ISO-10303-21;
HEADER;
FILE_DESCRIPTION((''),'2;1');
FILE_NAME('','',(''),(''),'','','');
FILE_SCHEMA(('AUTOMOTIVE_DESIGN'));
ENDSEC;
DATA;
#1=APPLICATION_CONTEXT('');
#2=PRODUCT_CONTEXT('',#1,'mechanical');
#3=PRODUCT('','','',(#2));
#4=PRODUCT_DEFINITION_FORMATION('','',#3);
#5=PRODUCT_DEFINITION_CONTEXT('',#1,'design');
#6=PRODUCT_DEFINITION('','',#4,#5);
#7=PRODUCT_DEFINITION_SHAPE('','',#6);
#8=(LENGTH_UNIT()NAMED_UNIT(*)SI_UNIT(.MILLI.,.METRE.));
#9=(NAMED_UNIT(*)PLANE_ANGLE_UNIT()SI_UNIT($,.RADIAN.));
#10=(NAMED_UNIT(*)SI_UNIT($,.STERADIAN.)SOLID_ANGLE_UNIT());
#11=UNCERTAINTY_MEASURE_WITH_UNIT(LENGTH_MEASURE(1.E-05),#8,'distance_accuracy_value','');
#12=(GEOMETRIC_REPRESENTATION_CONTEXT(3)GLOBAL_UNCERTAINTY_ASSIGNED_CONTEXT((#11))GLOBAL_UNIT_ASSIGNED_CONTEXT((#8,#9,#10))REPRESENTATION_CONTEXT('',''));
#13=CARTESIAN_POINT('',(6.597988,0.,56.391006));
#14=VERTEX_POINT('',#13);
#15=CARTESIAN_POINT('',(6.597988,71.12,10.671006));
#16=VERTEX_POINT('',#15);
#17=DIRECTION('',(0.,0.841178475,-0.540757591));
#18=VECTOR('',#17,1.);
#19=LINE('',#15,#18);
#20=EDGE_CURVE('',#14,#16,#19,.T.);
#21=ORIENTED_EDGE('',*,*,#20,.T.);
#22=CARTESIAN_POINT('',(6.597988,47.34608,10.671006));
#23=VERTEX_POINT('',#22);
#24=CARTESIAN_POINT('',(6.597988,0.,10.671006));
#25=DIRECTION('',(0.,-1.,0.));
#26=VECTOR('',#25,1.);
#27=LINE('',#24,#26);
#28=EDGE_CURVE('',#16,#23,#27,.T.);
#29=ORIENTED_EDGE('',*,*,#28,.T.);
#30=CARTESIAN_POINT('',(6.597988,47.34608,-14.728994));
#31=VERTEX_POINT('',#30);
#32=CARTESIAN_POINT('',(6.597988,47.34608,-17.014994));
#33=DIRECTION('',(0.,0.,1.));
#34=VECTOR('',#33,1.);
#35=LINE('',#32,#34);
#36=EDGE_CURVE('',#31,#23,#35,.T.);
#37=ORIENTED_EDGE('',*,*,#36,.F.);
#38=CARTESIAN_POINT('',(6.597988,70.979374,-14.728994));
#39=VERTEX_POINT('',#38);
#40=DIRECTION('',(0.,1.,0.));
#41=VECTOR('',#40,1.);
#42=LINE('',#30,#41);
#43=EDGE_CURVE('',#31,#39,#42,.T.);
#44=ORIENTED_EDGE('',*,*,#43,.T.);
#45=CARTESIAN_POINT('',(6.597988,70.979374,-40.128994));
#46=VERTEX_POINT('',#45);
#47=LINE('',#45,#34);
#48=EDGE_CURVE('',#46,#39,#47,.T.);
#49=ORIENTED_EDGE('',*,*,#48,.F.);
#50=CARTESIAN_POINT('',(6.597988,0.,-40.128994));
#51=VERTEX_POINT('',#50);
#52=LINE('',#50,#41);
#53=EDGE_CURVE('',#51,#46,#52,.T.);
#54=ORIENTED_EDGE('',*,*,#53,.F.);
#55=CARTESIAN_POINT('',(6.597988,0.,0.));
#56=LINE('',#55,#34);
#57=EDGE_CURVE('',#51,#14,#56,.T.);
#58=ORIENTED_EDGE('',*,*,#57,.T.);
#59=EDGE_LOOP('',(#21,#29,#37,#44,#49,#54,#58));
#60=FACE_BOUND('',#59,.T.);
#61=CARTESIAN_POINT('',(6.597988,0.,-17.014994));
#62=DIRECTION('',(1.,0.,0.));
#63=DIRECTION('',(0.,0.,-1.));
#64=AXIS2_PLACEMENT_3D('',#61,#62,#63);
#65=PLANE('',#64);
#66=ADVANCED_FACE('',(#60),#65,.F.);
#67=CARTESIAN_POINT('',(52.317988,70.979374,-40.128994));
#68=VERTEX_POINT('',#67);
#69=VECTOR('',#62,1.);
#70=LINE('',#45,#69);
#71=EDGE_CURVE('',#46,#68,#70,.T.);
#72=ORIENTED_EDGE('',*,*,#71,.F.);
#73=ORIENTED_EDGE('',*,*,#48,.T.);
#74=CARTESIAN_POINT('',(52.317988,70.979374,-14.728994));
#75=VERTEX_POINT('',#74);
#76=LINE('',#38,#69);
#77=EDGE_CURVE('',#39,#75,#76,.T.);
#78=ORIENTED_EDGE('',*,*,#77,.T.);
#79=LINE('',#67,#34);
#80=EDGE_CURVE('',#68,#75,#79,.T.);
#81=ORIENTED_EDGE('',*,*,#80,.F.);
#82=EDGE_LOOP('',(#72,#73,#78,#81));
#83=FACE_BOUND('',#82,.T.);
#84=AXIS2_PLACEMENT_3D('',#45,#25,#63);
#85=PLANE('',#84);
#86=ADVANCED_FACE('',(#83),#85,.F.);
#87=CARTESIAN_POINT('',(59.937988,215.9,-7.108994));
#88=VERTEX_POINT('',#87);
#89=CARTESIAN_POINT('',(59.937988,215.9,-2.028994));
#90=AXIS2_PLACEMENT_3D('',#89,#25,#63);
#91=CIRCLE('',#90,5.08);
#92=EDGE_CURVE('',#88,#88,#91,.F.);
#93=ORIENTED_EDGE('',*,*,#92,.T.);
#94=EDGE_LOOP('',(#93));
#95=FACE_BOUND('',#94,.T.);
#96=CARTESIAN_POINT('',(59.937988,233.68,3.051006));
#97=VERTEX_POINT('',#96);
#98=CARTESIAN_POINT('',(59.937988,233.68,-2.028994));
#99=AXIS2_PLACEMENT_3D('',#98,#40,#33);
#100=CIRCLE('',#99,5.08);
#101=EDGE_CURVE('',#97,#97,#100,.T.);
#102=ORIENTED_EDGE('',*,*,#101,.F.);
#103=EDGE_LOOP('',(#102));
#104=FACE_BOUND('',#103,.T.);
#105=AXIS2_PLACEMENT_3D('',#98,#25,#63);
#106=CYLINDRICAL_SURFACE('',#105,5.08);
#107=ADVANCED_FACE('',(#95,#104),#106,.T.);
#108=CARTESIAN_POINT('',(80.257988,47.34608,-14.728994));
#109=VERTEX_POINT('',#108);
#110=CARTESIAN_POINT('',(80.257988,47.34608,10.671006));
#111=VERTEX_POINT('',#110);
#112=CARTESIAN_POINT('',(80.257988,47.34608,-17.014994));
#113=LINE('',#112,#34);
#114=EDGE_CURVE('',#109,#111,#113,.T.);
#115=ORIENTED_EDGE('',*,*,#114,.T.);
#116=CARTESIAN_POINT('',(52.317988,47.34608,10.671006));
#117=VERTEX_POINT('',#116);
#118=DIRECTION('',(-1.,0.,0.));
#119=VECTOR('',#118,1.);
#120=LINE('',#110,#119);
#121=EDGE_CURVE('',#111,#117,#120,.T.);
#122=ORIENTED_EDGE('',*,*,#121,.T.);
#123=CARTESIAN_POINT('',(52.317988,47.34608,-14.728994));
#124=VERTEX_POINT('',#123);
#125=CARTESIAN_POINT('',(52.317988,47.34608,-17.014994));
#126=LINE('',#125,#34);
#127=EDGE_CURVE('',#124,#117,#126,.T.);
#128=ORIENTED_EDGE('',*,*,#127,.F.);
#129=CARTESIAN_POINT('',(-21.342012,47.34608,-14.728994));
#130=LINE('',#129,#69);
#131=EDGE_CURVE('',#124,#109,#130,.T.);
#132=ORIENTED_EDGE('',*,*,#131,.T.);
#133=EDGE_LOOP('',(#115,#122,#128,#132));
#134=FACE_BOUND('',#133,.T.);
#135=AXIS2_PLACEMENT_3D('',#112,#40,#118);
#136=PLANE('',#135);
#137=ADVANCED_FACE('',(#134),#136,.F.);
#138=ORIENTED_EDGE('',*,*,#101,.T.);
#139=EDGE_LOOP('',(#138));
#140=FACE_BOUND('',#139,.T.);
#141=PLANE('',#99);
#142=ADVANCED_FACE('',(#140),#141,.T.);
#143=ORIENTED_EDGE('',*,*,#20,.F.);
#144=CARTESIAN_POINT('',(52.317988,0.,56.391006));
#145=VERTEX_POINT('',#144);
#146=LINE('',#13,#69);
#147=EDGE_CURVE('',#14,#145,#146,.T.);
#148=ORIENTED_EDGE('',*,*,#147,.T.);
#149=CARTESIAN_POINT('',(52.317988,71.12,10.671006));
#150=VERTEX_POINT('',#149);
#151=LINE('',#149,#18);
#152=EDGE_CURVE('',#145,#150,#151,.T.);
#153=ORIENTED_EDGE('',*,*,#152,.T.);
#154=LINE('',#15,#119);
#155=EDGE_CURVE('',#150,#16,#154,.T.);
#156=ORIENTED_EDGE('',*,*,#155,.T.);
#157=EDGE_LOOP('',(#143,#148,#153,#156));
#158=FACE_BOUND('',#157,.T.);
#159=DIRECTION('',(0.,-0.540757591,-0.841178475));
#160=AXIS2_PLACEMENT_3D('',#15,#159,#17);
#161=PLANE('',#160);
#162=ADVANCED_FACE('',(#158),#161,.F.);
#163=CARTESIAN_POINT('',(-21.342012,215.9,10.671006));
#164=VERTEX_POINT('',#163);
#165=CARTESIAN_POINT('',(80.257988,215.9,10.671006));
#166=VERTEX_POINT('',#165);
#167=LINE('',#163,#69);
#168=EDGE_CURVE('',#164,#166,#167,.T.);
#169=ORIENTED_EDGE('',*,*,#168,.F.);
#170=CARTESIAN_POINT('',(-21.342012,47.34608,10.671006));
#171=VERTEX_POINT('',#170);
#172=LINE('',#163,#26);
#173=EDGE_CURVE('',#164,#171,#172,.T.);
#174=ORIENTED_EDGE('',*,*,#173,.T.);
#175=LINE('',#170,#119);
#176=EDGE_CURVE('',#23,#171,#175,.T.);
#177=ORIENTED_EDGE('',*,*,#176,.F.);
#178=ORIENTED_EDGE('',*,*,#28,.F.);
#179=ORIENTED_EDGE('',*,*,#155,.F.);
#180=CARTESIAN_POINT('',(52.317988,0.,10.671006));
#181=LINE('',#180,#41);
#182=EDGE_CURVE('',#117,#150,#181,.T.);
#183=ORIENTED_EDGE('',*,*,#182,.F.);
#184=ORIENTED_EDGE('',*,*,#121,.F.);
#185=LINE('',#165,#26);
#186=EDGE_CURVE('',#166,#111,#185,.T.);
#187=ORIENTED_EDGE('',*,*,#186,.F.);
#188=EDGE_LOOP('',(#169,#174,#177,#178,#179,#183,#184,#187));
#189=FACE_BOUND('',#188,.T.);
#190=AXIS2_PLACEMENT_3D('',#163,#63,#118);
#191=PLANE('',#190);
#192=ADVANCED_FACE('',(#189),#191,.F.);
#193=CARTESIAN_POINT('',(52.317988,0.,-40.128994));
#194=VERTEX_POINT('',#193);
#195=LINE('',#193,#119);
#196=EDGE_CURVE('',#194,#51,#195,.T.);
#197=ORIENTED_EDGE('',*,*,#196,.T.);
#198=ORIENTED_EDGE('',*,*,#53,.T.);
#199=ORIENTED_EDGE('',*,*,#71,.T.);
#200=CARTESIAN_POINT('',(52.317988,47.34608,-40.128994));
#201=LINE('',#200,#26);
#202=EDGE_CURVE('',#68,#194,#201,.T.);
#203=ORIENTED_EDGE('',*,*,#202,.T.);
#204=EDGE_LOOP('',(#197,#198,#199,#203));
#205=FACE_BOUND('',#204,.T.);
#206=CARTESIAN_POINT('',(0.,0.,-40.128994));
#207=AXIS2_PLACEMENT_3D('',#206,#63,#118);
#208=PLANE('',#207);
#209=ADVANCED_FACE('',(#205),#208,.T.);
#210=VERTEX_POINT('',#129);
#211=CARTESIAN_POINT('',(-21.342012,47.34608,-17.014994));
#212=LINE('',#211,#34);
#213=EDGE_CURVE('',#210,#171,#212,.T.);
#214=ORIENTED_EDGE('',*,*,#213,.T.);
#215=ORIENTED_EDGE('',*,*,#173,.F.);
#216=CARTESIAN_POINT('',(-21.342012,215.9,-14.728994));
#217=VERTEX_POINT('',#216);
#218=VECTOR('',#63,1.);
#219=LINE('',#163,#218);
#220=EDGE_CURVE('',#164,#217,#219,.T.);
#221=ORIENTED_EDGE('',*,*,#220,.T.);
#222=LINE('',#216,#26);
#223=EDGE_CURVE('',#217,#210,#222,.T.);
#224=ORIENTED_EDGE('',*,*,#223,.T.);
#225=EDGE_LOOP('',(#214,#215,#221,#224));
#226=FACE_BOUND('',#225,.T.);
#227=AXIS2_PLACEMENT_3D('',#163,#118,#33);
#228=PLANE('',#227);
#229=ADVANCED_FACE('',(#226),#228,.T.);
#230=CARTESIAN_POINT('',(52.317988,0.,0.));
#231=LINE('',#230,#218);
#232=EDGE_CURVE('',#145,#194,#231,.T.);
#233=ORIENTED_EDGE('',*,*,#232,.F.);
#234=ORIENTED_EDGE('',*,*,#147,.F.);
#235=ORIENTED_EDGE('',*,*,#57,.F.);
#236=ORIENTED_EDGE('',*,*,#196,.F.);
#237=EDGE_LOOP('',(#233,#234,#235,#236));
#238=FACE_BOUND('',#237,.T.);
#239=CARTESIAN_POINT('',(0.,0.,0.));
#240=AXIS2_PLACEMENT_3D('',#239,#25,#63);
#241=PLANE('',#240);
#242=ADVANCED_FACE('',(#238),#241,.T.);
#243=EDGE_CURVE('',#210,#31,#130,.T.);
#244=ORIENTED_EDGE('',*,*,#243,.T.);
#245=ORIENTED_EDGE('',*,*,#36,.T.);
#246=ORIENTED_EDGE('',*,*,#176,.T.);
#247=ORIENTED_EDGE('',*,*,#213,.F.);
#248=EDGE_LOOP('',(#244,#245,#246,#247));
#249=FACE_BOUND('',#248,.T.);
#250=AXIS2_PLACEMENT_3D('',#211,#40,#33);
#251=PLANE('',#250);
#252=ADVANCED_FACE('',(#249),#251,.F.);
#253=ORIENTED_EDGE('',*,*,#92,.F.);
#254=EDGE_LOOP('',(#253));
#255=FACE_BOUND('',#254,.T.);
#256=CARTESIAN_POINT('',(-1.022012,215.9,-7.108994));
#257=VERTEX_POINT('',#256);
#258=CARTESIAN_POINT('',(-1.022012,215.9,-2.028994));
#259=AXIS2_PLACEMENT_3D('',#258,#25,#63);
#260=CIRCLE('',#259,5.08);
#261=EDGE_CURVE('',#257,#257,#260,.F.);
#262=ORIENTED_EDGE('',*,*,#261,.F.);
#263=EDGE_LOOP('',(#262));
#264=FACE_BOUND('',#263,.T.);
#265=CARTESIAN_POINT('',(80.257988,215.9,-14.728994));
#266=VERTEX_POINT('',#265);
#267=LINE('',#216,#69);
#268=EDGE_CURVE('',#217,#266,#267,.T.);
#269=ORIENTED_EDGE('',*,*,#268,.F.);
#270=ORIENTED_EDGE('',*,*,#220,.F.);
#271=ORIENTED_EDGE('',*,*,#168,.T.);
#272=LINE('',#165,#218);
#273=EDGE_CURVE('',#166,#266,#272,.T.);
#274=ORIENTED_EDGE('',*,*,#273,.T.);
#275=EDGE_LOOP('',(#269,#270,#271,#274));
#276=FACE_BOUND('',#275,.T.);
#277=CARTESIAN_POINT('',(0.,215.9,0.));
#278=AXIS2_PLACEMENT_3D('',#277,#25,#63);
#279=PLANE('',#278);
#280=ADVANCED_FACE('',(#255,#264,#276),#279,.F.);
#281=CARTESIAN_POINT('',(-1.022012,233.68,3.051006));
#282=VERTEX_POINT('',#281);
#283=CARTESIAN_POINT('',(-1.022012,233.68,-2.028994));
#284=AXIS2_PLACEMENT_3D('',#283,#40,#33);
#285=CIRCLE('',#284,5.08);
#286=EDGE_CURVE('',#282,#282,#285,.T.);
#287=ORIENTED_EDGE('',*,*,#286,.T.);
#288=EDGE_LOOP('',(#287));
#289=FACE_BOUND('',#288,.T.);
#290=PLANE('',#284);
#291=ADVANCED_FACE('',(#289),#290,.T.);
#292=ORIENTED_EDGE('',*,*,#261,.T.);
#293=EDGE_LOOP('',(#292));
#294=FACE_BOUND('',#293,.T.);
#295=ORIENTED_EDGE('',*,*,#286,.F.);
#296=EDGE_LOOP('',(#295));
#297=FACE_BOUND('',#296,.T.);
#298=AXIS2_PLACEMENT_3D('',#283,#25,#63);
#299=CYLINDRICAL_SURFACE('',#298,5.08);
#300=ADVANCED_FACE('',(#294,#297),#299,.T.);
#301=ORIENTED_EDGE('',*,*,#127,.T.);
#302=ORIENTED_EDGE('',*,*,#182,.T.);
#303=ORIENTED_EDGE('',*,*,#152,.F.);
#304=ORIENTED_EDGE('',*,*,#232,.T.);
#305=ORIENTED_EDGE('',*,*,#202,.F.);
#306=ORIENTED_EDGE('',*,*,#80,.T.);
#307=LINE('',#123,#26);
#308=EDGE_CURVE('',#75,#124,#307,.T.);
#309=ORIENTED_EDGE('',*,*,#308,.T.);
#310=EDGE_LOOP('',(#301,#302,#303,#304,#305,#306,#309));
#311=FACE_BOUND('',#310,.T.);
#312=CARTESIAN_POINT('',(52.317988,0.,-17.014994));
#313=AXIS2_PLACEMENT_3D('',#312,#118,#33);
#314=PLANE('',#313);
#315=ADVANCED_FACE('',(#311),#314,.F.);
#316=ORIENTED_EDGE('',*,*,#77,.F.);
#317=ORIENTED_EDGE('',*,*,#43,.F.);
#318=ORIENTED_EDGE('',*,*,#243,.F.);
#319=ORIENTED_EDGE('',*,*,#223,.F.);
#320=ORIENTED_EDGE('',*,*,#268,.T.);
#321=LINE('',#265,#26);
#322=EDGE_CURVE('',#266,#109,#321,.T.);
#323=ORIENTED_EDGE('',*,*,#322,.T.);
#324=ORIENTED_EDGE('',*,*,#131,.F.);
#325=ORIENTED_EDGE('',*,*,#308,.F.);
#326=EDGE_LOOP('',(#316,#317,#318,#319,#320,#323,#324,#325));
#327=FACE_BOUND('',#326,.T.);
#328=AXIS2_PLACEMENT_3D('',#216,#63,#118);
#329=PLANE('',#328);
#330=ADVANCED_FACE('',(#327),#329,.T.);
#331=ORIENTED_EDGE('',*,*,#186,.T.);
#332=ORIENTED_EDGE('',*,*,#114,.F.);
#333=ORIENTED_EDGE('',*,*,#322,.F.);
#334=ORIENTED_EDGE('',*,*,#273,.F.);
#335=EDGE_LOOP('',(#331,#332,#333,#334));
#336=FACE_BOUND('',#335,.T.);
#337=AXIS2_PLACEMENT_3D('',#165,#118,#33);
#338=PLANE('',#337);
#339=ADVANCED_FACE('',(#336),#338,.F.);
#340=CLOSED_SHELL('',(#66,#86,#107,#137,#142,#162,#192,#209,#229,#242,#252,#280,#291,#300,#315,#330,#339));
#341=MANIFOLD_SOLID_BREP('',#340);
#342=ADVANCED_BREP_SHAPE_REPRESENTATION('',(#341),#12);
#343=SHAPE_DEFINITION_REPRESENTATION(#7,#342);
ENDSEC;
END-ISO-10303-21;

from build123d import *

# Parameters (mm, degrees)
SKETCH1_W           = 101.6
SKETCH1_H           = 25.4
BOSS_EXTRUDE1_DEPTH = 215.9
SKETCH2_R           = 5.08
BOSS_EXTRUDE2_DEPTH = 17.78
SKETCH3_W           = 27.94
SKETCH3_H           = 47.346080225
CUT_EXTRUDE1_DEPTH  = 27.686
SKETCH9_W           = 45.72
SKETCH9_H           = 71.12
BOSS_EXTRUDE5_DEPTH = 45.72
CUT_EXTRUDE4_DEPTH  = 45.72
BOSS_EXTRUDE6_DEPTH = 25.4


with BuildPart() as part:
    # Sketch1 → Boss-Extrude1 (new body)
    with BuildSketch(Plane(origin=(0, 0, 0), x_dir=(1, 0, 0), z_dir=(0, 1, 0))):
        with Locations((29.457987906, 2.028993953)):
            Rectangle(SKETCH1_W, SKETCH1_H)
    extrude(amount=BOSS_EXTRUDE1_DEPTH)

    # Sketch2 → Boss-Extrude2 (add)
    with BuildSketch(Plane(origin=(0, 215.9, 0), x_dir=(1, 0, 0), z_dir=(0, 1, 0))):
        with Locations(Location((-1.022012094, 2.028993953, 0), (0, 0, 90))):
            Circle(SKETCH2_R)
        with Locations(Location((59.937987906, 2.028993953, 0), (0, 0, 90))):
            Circle(SKETCH2_R)
    extrude(amount=BOSS_EXTRUDE2_DEPTH)

    # Sketch3 → Cut-Extrude1 (cut)
    with BuildSketch(Plane.XY.offset(10.671006047)):
        with Locations((-7.372012094, 23.673040113)):
            Rectangle(SKETCH3_W, SKETCH3_H)
        with Locations((66.287987906, 23.673040113)):
            Rectangle(SKETCH3_W, SKETCH3_H)
    extrude(amount=-CUT_EXTRUDE1_DEPTH, mode=Mode.SUBTRACT)

    # Sketch9 → Boss-Extrude5 (add)
    with BuildSketch(Plane.XY.offset(10.671006047)):
        with Locations((29.457987906, 35.56)):
            Rectangle(SKETCH9_W, SKETCH9_H)
    extrude(amount=BOSS_EXTRUDE5_DEPTH)

    # Sketch10 → Cut-Extrude4 (cut)
    with BuildSketch(Plane(origin=(52.317987906, 0, 0), x_dir=(0, 0, -1), z_dir=(1, 0, 0))):
        Polygon((-56.391006047, 71.12), (-10.671006047, 71.12), (-56.391006047, 0), align=None)
    extrude(amount=-CUT_EXTRUDE4_DEPTH, mode=Mode.SUBTRACT)

    # Sketch11 → Boss-Extrude6 (add)
    with BuildSketch(Plane(origin=(0, 0, -14.728993953), x_dir=(-1, 0, 0), z_dir=(0, 0, -1))):
        Polygon((-52.317987906, 47.346080225), (-52.317987906, 70.979374422), (-6.597987906, 70.979374422), (-6.597987906, 47.346080225), (-6.597987906, 0), (-52.317987906, 0), align=None)
    extrude(amount=BOSS_EXTRUDE6_DEPTH)


solid = part.part
